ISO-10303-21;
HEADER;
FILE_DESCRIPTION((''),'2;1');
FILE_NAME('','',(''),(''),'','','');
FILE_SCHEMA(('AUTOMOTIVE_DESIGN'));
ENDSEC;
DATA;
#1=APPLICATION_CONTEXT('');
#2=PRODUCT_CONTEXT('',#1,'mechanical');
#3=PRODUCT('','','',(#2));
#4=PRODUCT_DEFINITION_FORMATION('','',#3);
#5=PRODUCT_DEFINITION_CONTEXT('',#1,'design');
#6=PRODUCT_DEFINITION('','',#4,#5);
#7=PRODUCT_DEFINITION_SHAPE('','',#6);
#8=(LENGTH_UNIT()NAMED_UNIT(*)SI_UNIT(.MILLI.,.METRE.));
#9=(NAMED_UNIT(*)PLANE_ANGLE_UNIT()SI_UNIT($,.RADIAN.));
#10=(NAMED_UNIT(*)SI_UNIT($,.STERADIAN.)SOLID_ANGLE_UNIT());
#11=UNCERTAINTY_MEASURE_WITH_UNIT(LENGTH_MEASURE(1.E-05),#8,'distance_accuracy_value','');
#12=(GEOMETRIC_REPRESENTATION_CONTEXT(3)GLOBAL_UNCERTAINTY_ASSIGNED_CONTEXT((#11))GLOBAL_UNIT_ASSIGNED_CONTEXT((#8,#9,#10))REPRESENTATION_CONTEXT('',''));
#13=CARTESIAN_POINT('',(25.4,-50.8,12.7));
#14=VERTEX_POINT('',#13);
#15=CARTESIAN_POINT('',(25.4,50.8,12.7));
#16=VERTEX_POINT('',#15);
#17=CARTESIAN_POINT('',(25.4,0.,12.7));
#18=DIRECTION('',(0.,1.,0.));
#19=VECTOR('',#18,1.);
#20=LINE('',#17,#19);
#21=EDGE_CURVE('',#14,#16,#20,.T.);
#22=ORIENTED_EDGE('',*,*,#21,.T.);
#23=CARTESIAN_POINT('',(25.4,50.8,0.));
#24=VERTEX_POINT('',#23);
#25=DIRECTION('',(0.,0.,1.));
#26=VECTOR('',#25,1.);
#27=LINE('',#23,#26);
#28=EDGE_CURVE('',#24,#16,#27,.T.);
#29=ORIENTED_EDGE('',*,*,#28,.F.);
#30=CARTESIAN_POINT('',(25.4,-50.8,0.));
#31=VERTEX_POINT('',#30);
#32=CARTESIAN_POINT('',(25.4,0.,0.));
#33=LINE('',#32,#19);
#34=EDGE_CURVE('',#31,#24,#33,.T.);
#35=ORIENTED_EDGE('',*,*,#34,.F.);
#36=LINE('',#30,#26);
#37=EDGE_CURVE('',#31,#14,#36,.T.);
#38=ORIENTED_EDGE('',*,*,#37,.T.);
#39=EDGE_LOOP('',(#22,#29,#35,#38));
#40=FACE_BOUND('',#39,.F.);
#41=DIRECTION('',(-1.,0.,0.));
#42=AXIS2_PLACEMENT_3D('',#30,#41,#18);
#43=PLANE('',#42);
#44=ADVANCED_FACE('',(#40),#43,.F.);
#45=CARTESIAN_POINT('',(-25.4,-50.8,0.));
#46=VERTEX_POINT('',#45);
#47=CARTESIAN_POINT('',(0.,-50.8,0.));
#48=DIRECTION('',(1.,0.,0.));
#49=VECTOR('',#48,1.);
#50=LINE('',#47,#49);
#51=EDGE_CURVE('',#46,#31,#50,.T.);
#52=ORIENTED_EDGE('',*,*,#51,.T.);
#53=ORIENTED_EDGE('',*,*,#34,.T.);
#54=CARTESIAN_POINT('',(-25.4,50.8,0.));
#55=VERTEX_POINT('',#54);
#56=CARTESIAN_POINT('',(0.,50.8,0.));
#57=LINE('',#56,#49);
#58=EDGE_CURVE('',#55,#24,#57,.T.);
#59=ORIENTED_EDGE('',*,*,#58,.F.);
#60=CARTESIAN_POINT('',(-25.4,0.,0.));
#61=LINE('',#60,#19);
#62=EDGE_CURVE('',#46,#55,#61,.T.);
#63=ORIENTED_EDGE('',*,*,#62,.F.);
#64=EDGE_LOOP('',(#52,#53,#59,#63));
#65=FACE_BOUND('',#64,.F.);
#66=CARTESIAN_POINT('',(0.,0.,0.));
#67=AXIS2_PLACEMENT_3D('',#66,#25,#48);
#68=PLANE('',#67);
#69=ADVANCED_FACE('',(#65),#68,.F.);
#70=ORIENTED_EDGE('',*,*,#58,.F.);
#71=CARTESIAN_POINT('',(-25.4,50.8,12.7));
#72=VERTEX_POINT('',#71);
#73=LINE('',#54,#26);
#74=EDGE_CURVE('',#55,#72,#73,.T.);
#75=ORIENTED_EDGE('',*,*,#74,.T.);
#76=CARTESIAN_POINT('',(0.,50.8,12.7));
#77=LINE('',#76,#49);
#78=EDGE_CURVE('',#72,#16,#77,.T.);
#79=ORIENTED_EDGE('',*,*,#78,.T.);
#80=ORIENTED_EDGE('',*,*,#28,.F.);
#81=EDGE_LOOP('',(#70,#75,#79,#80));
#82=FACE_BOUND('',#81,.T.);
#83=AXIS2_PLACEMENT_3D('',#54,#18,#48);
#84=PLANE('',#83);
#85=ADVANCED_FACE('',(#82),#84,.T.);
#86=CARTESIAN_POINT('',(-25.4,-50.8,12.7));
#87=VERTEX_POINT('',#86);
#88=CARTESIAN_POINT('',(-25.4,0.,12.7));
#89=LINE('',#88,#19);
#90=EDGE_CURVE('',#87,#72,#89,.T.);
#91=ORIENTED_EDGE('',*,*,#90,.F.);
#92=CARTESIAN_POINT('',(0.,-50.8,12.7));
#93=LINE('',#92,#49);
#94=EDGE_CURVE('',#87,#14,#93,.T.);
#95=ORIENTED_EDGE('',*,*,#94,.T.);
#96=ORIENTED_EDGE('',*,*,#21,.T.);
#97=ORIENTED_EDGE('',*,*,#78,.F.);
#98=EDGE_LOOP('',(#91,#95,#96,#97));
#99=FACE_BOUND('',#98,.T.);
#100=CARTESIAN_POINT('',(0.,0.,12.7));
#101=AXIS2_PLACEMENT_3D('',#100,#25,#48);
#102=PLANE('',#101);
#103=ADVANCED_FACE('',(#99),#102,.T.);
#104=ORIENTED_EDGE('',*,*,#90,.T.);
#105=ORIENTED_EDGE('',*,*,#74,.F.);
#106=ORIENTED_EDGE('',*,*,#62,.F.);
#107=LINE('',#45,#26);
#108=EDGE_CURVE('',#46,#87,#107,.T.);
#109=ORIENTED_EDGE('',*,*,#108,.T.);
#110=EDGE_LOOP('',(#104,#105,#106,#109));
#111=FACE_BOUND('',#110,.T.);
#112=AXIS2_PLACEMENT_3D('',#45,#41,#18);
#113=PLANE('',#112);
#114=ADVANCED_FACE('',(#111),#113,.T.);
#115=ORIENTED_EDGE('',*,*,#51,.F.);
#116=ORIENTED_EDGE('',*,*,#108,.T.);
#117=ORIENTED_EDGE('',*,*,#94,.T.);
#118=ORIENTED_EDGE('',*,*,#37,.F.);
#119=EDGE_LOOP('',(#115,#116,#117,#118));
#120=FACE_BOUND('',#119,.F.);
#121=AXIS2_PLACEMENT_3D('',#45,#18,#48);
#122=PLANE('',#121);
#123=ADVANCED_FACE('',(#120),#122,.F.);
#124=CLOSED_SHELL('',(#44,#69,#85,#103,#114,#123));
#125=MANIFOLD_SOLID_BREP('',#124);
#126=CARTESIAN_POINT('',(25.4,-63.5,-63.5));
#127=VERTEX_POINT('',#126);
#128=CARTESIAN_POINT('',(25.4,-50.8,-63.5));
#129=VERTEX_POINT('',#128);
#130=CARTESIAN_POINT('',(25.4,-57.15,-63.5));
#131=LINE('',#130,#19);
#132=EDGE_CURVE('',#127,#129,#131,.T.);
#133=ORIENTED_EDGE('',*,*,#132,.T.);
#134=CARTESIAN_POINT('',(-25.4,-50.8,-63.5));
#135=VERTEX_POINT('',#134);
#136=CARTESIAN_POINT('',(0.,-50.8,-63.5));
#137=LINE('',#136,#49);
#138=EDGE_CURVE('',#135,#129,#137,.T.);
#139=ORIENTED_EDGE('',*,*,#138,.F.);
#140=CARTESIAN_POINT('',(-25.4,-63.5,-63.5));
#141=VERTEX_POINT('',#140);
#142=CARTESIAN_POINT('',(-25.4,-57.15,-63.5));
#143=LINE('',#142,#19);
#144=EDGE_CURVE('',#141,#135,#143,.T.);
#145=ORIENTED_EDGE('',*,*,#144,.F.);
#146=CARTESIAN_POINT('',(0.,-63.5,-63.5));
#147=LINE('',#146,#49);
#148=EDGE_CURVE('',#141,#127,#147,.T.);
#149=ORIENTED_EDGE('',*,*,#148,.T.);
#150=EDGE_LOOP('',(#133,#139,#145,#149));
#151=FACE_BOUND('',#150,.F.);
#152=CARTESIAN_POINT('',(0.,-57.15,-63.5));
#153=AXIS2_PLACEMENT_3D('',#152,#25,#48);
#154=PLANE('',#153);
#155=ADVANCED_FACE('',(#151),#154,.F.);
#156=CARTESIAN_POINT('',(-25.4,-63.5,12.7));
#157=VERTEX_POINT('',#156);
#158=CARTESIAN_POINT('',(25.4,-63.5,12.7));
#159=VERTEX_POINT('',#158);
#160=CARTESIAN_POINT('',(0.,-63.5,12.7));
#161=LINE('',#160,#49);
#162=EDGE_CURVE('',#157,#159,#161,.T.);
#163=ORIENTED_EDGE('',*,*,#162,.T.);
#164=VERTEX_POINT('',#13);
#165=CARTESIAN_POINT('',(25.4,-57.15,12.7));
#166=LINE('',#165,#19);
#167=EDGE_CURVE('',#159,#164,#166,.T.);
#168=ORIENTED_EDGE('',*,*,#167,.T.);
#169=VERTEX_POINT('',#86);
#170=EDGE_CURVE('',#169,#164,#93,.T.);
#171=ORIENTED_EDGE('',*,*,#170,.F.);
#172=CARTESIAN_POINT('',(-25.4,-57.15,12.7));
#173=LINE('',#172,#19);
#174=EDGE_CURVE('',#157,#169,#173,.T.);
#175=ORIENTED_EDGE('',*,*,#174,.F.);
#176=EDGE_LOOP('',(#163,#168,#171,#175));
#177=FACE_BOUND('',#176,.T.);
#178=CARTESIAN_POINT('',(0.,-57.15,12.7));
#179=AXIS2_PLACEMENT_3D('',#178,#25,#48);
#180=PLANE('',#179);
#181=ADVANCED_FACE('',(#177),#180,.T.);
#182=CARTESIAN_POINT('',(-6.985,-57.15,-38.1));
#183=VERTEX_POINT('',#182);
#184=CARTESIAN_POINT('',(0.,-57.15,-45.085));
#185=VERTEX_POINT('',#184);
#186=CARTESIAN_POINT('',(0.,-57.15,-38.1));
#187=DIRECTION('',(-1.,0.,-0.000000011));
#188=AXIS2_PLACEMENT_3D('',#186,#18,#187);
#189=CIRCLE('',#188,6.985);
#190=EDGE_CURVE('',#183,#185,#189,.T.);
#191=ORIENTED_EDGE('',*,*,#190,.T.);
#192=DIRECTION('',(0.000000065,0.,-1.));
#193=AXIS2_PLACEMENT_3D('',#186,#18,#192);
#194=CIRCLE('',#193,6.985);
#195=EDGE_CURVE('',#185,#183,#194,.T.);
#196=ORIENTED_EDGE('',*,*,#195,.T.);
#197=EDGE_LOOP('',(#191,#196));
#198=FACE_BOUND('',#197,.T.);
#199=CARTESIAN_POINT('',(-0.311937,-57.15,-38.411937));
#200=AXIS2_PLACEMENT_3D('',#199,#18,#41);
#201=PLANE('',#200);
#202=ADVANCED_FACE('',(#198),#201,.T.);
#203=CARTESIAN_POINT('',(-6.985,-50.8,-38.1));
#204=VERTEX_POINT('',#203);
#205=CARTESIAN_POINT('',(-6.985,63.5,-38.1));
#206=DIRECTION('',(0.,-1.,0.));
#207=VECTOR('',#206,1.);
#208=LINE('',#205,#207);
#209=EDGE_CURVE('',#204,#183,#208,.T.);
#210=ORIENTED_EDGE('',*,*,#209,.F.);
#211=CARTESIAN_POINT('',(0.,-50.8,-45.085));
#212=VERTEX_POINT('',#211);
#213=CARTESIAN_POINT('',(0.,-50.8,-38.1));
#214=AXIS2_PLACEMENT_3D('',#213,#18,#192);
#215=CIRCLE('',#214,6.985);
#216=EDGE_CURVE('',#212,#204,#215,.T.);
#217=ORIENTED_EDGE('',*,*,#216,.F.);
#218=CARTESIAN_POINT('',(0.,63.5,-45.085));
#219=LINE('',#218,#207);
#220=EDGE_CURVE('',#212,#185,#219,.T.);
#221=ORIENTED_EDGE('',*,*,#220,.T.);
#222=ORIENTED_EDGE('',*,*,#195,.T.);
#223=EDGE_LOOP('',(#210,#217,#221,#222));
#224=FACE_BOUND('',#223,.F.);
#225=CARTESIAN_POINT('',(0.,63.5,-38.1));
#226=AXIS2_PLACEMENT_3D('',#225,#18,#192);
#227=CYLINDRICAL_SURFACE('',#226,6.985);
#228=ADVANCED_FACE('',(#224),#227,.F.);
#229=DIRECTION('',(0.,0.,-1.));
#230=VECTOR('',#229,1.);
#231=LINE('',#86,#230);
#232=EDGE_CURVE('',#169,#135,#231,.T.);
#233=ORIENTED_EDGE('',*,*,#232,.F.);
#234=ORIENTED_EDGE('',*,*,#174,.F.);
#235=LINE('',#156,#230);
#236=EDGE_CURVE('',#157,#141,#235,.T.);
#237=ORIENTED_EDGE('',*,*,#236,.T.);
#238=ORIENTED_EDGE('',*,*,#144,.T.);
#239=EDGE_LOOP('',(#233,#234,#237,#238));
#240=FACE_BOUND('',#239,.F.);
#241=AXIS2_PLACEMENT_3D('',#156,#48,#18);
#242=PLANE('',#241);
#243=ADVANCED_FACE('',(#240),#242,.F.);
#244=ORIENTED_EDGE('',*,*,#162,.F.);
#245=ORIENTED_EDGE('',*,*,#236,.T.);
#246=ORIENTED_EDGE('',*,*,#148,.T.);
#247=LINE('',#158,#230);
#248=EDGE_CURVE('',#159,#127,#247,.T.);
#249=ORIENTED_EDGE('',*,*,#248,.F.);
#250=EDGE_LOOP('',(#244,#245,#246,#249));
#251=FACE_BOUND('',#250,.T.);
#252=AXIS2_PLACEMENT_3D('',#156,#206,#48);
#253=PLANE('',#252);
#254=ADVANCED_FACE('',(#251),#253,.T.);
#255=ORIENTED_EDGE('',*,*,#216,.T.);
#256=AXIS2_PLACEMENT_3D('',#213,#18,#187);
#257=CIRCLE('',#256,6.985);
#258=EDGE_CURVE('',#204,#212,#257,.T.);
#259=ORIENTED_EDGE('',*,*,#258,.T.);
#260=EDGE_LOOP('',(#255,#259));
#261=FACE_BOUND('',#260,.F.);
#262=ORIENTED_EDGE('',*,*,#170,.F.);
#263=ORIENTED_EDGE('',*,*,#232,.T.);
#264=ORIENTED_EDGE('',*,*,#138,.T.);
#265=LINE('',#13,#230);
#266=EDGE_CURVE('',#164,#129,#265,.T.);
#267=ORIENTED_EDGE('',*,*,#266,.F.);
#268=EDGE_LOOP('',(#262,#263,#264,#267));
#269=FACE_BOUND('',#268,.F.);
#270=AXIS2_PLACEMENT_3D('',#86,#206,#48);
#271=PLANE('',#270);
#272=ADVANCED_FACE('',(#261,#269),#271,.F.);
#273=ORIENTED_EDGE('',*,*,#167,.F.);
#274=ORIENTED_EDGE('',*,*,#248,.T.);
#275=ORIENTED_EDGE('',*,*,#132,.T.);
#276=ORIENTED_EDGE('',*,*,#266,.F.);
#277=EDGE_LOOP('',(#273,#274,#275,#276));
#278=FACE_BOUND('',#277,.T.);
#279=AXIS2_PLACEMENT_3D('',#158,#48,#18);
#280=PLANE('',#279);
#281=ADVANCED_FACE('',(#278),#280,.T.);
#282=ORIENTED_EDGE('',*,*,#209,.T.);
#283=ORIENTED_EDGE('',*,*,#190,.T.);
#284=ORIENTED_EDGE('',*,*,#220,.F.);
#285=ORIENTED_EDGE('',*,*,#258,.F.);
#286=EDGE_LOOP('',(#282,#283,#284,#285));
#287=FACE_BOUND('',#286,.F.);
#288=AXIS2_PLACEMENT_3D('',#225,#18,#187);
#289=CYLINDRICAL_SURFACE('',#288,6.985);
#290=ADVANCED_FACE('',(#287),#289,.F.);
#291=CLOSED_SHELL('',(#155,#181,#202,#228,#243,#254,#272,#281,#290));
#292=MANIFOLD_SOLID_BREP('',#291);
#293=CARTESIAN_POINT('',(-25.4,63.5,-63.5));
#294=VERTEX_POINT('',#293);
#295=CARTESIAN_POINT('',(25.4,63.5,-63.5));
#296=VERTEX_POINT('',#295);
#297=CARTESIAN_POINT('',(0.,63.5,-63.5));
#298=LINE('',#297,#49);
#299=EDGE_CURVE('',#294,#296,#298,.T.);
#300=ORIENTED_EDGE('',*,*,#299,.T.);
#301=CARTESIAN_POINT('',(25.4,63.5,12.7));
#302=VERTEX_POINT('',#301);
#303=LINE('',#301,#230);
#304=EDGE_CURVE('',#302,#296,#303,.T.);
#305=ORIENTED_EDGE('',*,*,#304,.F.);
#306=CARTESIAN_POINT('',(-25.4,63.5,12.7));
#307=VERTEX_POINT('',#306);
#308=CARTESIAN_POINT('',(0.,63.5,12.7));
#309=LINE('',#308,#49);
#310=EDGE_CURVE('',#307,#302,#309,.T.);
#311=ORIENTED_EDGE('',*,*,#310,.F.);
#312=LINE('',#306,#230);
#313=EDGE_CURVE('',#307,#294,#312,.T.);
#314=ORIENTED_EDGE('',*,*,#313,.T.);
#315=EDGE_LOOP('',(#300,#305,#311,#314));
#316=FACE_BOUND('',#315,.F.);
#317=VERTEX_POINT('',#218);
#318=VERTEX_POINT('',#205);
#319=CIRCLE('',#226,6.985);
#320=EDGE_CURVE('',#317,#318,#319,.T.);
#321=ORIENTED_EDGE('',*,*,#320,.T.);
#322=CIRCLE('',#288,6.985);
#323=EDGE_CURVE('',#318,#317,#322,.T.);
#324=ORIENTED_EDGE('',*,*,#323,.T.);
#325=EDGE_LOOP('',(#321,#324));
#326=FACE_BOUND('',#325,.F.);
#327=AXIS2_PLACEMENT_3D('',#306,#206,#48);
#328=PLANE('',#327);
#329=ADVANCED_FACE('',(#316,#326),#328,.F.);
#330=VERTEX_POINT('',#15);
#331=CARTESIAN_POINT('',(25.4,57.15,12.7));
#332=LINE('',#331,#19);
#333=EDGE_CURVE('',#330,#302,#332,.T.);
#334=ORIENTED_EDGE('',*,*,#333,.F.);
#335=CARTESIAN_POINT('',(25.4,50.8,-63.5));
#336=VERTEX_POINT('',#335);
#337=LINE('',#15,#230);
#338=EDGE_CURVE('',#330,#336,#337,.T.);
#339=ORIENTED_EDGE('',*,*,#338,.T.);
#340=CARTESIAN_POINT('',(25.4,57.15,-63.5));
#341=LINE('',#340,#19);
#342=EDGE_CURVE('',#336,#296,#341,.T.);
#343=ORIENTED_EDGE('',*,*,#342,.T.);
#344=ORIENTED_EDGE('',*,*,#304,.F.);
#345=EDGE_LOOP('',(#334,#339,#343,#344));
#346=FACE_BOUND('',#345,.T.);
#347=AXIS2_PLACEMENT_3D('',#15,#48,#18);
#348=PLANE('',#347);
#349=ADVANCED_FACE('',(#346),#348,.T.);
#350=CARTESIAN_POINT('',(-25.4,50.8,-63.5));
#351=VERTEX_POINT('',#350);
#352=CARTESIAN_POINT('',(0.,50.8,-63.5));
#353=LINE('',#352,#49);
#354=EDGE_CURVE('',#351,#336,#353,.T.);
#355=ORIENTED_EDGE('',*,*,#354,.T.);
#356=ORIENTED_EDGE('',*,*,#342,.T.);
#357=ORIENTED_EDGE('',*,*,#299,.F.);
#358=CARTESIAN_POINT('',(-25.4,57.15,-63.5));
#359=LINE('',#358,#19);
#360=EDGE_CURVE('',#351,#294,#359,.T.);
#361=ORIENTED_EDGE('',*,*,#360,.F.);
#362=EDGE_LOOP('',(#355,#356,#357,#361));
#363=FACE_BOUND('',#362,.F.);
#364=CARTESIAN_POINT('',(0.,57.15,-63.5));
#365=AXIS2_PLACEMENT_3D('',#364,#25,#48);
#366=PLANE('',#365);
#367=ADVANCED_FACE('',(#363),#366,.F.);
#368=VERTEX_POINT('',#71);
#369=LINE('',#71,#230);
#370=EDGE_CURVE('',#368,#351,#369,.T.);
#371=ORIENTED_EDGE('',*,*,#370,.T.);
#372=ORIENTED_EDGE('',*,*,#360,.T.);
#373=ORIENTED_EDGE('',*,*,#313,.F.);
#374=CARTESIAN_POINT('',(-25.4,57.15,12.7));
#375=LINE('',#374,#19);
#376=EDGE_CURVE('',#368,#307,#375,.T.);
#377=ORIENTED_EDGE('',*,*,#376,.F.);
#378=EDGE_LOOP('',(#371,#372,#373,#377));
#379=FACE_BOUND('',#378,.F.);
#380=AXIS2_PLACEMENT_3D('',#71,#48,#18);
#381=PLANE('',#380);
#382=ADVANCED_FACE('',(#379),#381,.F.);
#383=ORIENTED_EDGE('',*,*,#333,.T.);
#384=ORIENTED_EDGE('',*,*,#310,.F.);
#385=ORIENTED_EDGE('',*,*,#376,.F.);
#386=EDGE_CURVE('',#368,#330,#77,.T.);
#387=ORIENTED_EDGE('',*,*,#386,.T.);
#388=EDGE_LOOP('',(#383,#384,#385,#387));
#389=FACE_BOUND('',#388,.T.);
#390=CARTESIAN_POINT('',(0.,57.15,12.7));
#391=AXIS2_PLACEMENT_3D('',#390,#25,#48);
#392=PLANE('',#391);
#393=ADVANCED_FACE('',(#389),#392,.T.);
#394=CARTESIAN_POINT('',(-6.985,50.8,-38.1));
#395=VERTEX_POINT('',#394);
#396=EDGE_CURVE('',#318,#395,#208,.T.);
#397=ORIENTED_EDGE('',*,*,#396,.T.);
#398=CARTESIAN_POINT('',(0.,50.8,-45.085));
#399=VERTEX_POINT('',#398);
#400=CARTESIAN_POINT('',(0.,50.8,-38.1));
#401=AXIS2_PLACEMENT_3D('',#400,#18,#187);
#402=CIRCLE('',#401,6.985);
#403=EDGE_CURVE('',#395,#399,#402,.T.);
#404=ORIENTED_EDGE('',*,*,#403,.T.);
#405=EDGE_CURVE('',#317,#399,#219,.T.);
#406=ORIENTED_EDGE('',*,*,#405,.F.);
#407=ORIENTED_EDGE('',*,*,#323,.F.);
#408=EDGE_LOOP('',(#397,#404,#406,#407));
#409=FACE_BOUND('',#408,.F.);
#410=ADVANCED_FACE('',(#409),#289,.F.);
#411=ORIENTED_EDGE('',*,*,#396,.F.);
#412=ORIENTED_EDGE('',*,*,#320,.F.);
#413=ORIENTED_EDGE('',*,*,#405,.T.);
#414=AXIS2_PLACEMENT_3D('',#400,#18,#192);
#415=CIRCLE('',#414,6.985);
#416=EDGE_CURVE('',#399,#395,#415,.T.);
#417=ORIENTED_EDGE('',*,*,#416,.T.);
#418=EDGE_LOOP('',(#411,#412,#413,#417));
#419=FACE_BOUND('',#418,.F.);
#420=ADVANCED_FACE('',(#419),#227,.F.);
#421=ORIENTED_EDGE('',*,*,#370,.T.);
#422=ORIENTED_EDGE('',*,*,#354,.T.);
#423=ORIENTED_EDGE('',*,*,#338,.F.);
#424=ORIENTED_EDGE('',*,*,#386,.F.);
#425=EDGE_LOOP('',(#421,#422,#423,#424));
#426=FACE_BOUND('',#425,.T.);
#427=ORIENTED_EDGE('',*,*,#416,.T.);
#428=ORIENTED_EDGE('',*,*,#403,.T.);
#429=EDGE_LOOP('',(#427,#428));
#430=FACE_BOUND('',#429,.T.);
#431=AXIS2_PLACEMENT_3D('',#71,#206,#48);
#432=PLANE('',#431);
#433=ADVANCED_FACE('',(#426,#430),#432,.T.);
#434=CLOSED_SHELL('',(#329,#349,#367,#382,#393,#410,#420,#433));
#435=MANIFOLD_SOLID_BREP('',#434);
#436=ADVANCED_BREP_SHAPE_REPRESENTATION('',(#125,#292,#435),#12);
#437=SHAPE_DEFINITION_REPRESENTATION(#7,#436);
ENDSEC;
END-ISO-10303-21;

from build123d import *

# Parameters (mm, degrees)
F0_W     = 50.8
F0_H     = 101.6
F1_DEPTH = 12.7
F2_W     = 50.8
F2_H     = 12.7
F3_DEPTH = 76.2
F5_DEPTH = 120.65


with BuildPart() as f1:
    # F0 (on Top) → F1 (new body)
    with BuildSketch(Plane.XY):
        Rectangle(F0_W, F0_H)
    extrude(amount=F1_DEPTH)


with BuildPart() as f3:
    # F2 (on face) → F3 (new body)
    with BuildSketch(Plane.XY.offset(12.7)):
        with Locations((0, 57.15)):
            Rectangle(F2_W, F2_H)
        with Locations((0, -57.15)):
            Rectangle(F2_W, F2_H)
    extrude(amount=-F3_DEPTH)

    # F4 (on face) → F5 (cut)
    with BuildSketch(Plane(origin=(0, 63.5, 0), x_dir=(-1, 0, 0), z_dir=(0, 1, 0))):
        with BuildLine():
            ThreePointArc((0, -45.085), (4.939141, -43.039141), (6.985, -38.1))
            ThreePointArc((6.985, -38.1), (-4.939141, -33.160859), (0, -45.085))
        make_face()
    extrude(amount=-F5_DEPTH, mode=Mode.SUBTRACT)


solid = Compound([f1.part, f3.part])
